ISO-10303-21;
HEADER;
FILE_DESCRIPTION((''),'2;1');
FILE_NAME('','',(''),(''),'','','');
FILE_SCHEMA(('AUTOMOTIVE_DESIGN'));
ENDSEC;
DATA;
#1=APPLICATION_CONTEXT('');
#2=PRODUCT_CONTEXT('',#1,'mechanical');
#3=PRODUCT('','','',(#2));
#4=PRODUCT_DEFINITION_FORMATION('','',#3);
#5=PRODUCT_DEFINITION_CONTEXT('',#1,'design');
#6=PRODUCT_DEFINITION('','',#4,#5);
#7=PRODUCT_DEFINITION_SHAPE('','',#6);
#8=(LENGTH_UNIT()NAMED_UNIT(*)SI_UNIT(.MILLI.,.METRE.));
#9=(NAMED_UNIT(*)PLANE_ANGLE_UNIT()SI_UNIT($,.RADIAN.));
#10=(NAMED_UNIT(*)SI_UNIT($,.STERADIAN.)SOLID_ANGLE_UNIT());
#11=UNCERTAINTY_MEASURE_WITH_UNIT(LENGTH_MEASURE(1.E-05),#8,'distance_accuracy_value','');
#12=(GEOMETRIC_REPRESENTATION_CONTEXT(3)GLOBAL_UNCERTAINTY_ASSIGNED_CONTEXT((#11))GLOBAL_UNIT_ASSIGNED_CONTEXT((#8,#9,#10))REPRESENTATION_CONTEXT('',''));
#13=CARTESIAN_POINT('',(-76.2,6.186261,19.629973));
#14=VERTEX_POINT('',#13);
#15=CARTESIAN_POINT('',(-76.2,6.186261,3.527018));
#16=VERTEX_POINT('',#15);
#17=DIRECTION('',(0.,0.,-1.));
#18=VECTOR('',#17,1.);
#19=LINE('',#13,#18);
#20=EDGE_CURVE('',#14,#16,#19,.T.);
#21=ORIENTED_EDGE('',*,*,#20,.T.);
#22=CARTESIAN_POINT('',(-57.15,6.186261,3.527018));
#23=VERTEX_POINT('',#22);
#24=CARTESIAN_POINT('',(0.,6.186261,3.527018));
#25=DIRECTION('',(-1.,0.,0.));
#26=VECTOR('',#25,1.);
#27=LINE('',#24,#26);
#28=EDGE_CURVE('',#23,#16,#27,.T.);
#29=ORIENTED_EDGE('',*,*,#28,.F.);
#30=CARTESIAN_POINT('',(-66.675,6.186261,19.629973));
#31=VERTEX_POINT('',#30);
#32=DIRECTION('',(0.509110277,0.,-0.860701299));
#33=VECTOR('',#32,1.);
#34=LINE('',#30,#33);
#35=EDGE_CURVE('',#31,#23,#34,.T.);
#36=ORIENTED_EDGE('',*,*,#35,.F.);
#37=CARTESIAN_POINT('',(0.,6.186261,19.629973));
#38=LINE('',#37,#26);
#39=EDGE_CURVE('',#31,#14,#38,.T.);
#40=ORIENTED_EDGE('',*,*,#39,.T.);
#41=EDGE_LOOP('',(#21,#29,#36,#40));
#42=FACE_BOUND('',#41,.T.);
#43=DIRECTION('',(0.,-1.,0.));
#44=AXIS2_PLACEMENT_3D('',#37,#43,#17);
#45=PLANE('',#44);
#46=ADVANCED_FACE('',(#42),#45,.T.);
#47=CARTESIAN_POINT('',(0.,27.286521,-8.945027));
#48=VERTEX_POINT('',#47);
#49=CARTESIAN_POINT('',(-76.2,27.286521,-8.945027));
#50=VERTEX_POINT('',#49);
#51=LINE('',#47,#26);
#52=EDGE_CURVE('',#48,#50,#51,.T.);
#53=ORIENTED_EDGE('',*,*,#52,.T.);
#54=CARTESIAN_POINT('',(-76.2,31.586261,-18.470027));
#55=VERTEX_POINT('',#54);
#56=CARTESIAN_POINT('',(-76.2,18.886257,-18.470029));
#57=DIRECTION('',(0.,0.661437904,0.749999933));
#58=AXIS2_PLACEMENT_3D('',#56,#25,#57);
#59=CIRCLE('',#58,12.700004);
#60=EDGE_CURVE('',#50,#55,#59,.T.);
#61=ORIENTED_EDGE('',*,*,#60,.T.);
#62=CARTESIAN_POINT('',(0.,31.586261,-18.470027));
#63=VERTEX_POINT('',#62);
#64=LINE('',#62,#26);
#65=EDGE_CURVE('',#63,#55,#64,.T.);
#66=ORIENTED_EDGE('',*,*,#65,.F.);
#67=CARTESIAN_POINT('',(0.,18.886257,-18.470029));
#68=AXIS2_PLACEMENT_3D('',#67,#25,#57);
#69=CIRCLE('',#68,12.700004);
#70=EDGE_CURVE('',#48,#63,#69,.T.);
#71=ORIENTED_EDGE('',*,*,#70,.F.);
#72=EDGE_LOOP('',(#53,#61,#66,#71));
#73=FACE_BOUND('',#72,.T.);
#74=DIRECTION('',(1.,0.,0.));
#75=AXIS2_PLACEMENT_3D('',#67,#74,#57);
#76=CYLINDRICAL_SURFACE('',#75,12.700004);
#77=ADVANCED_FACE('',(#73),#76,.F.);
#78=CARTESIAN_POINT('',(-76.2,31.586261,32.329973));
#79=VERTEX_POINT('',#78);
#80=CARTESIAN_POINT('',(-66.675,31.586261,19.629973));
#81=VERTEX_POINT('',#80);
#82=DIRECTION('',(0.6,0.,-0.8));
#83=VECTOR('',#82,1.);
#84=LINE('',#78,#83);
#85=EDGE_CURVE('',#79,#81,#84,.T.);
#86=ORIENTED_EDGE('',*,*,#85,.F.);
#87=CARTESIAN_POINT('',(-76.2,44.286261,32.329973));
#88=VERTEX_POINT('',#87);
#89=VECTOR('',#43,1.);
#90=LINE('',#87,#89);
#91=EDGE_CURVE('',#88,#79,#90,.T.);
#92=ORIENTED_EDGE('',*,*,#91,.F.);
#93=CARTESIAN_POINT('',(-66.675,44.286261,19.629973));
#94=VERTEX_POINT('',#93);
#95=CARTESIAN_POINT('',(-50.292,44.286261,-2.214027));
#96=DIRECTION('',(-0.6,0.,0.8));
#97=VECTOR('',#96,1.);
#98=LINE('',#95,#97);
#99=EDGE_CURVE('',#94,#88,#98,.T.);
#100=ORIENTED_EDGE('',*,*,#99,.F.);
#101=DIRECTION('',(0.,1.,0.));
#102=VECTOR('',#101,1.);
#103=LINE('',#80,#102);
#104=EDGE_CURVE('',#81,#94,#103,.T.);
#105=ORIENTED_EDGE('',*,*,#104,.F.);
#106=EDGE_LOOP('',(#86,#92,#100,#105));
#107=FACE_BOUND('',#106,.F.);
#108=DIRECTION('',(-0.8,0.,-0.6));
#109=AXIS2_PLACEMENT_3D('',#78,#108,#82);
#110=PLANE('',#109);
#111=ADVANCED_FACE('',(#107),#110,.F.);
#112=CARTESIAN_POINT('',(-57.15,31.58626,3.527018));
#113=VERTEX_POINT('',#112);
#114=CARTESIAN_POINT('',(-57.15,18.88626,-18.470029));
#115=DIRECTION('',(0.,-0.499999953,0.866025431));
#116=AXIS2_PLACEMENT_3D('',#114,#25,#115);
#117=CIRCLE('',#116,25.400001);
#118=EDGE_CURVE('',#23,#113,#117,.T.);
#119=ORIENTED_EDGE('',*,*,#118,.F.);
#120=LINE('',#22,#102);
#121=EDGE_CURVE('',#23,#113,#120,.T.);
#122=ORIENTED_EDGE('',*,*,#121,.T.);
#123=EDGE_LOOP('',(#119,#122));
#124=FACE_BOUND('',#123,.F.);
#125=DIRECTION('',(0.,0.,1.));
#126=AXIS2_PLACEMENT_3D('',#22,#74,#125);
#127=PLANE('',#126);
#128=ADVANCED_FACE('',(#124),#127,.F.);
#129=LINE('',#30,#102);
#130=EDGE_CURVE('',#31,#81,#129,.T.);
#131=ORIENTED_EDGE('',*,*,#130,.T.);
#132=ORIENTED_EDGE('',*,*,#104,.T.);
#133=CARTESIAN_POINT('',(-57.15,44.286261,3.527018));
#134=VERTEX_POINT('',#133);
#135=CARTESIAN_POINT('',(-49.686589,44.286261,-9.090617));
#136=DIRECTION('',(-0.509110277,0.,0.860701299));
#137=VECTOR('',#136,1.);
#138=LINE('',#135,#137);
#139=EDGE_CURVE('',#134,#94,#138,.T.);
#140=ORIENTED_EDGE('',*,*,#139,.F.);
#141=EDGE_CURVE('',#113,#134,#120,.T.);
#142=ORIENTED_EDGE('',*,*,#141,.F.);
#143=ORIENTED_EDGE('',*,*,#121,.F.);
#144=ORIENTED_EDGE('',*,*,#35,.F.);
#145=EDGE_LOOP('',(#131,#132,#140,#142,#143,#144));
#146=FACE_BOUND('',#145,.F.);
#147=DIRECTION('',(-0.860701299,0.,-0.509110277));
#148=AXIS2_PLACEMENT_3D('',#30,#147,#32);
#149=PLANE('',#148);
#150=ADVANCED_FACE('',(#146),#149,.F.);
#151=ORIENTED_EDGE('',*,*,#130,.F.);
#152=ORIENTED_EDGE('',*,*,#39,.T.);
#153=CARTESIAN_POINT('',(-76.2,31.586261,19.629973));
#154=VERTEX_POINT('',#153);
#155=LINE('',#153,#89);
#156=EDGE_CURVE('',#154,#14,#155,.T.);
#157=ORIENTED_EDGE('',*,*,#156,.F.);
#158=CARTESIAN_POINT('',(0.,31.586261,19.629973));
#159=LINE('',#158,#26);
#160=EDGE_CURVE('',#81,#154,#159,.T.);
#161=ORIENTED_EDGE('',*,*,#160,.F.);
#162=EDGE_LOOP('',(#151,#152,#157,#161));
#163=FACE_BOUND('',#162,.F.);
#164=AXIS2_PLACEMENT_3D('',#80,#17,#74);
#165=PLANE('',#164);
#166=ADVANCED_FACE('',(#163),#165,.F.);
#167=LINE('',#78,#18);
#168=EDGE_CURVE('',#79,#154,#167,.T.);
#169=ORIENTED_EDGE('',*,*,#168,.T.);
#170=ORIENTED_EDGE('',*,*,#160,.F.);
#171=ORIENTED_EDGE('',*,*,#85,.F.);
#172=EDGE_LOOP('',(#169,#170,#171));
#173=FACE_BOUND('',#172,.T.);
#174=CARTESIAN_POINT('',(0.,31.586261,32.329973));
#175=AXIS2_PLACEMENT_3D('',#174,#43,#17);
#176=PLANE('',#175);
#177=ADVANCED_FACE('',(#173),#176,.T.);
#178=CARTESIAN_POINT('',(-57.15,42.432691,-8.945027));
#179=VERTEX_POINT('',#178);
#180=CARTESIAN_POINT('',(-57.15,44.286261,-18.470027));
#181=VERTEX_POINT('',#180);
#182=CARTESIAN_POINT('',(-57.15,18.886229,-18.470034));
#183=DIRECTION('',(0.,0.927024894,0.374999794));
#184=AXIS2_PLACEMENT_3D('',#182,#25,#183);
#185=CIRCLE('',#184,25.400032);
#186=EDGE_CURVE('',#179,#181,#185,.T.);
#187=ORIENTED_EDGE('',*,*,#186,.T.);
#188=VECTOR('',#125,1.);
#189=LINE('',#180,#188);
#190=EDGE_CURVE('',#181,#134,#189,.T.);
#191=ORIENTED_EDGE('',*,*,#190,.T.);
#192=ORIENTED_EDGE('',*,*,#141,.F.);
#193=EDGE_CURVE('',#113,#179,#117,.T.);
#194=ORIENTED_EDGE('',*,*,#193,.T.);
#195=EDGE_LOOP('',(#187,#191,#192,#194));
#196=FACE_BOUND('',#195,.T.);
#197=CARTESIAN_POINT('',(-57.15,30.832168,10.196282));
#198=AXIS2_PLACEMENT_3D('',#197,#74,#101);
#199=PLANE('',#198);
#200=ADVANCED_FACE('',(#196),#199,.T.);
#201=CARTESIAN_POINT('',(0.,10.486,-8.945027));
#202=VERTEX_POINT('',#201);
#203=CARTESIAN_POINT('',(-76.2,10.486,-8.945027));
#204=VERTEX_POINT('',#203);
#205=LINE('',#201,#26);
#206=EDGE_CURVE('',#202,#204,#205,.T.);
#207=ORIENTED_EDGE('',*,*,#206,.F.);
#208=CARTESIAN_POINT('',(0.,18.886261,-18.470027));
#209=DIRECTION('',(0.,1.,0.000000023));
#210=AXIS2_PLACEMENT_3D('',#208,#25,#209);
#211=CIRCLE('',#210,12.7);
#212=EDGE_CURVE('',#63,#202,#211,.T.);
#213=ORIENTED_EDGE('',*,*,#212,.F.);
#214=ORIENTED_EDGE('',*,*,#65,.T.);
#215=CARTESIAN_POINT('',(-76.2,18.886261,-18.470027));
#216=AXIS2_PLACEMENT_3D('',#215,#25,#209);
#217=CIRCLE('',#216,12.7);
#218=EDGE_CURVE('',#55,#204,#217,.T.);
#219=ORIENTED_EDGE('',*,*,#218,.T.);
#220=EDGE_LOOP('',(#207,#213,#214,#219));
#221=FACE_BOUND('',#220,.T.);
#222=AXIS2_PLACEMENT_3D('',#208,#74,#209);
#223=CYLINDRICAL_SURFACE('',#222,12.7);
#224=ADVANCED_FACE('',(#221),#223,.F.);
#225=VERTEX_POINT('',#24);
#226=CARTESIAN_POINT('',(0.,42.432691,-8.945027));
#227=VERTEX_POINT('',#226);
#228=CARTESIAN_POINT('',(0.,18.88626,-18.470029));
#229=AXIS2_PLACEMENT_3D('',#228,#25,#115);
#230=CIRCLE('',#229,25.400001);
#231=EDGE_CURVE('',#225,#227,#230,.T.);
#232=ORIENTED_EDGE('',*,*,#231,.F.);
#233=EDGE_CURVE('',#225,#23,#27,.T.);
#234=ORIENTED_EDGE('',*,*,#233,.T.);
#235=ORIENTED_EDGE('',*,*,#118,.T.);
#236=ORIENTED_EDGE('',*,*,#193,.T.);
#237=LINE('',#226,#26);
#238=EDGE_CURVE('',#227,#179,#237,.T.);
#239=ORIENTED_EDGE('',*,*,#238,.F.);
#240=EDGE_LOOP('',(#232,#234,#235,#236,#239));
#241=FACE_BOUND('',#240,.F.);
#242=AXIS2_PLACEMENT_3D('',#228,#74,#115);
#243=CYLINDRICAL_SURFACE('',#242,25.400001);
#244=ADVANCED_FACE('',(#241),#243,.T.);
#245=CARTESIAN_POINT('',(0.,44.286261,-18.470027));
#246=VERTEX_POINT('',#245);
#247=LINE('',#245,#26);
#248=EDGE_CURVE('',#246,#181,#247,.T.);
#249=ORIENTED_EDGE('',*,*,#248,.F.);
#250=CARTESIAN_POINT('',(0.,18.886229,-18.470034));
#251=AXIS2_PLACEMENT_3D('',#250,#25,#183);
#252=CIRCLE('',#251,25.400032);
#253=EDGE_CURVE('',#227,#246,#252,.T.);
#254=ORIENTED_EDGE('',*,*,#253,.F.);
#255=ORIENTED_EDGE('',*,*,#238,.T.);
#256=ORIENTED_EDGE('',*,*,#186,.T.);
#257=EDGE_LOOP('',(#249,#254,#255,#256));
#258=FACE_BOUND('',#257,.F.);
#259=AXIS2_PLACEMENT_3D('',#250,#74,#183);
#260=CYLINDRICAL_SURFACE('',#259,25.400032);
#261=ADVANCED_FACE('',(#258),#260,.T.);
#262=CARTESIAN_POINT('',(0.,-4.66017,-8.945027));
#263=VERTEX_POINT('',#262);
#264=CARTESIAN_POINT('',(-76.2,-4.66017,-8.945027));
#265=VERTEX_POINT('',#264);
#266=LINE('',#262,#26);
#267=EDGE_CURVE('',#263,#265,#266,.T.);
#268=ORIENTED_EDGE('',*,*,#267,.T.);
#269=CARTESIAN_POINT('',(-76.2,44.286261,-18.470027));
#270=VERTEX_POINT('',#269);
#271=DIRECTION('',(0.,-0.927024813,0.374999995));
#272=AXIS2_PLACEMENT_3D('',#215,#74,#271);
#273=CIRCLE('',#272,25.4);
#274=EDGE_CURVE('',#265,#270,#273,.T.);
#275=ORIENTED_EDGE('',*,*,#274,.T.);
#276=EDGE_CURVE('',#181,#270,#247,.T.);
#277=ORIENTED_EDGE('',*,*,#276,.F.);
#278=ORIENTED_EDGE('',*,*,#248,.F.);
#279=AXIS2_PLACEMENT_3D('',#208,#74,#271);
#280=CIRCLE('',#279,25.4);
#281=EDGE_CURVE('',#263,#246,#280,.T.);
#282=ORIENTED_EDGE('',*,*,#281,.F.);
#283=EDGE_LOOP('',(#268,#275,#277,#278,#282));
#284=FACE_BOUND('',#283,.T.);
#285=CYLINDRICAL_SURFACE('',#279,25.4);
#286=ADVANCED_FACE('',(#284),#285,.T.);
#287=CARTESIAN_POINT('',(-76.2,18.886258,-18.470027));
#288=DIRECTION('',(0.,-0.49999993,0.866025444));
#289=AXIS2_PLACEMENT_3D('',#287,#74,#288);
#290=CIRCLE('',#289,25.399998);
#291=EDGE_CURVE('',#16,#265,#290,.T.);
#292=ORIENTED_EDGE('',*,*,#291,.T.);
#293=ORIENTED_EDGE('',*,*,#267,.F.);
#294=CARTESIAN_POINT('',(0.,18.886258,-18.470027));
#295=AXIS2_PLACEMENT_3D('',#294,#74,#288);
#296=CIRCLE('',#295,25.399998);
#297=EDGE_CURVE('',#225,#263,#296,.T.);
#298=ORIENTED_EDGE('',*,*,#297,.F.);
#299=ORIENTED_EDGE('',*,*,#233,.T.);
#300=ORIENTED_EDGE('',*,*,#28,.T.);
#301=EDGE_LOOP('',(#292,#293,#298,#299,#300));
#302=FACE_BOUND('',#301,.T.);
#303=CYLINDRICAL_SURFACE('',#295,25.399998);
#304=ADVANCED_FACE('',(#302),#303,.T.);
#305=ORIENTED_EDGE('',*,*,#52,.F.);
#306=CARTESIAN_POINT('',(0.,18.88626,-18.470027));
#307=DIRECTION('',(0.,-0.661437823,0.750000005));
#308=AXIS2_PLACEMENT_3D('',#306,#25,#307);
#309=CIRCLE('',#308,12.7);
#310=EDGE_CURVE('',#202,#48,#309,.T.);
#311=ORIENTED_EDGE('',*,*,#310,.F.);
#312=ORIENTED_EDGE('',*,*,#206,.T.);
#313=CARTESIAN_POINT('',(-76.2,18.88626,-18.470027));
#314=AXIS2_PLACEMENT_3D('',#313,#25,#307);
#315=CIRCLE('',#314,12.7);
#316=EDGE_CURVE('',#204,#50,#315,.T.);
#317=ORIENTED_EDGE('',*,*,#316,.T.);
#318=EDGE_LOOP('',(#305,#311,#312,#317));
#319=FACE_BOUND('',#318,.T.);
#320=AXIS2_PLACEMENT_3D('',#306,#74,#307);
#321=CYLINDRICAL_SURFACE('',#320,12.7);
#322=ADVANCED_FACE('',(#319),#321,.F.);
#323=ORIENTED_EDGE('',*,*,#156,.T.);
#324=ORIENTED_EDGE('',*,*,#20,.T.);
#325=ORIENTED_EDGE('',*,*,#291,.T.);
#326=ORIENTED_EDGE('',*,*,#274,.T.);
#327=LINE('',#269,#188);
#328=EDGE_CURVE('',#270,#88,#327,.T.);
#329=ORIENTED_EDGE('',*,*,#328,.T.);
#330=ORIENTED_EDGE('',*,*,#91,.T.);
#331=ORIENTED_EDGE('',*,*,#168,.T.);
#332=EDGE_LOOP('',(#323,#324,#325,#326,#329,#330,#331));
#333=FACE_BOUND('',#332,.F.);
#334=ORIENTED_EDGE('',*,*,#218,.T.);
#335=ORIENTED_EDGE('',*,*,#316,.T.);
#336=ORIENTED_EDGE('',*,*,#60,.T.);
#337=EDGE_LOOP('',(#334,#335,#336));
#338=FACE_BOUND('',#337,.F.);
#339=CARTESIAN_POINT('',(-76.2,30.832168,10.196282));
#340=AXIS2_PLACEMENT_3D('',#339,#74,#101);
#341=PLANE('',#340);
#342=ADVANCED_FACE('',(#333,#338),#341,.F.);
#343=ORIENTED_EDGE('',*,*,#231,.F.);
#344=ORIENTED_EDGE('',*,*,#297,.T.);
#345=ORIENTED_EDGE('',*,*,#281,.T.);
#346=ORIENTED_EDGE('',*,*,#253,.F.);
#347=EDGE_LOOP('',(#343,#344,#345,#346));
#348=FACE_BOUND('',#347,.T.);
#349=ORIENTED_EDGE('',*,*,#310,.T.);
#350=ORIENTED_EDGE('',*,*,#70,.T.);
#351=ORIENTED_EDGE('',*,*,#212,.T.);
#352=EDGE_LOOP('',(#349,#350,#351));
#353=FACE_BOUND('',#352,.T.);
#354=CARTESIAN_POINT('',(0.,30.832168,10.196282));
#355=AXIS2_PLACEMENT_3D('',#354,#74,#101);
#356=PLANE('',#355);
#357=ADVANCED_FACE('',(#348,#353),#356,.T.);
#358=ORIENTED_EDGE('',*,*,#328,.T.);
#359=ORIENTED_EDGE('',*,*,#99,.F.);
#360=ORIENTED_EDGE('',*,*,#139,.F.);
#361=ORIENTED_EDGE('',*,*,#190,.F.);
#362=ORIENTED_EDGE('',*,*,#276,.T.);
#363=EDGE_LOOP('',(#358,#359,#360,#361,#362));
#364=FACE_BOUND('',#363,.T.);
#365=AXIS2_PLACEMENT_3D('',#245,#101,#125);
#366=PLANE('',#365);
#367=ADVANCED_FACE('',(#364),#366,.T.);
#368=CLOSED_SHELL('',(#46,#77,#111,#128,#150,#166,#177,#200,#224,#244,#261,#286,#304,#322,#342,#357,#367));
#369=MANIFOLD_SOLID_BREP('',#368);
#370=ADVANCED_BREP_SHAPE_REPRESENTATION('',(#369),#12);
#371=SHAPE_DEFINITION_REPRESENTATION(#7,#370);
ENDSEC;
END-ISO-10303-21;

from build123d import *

# Parameters (mm, degrees)
F1_DEPTH = 76.2
F2_DEPTH = 76.2
F3_DEPTH = 57.15
F5_DEPTH = 25.4
F7_DEPTH = 76.2


with BuildPart() as f1:
    # F0 (on Right) → F1 (new body)
    with BuildSketch(Plane.YZ):
        with BuildLine():
            Line((27.286521, -8.945027), (42.432691, -8.945027))
            ThreePointArc((42.432691, -8.945027), (27.150596, 5.547898), (6.186261, 3.527018))
            ThreePointArc((6.186261, 3.527018), (-0.279827, -1.802061), (-4.66017, -8.945027))
            Line((-4.66017, -8.945027), (10.486, -8.945027))
            ThreePointArc((10.486, -8.945027), (18.886261, -5.770027), (27.286521, -8.945027))
        make_face()
        with BuildLine():
            ThreePointArc((-4.66017, -8.945027), (14.034422, -43.402329), (44.286261, -18.470027))
            ThreePointArc((44.286261, -18.470027), (43.818562, -13.618189), (42.432691, -8.945027))
            Line((42.432691, -8.945027), (27.286521, -8.945027))
            ThreePointArc((27.286521, -8.945027), (30.461521, -13.244767), (31.586261, -18.470027))
            ThreePointArc((31.586261, -18.470027), (13.661, -30.045288), (10.486, -8.945027))
            Line((10.486, -8.945027), (-4.66017, -8.945027))
        make_face()
    extrude(amount=-F1_DEPTH)

    # F0 (on Right) → F2 (join)
    with BuildSketch(Plane.YZ):
        with BuildLine():
            ThreePointArc((42.432691, -8.945027), (43.818562, -13.618189), (44.286261, -18.470027))
            Line((44.286261, -18.470027), (44.286261, 32.329973))
            Line((44.286261, 32.329973), (31.586261, 32.329973))
            Line((31.586261, 32.329973), (31.586261, 19.629973))
            Line((31.586261, 19.629973), (6.186261, 19.629973))
            Line((6.186261, 19.629973), (6.186261, 3.527018))
            ThreePointArc((6.186261, 3.527018), (27.150596, 5.547898), (42.432691, -8.945027))
        make_face()
    extrude(amount=-F2_DEPTH)

    # F0 (on Right) → F3 (cut)
    with BuildSketch(Plane.YZ):
        with BuildLine():
            ThreePointArc((42.432691, -8.945027), (43.818562, -13.618189), (44.286261, -18.470027))
            Line((44.286261, -18.470027), (44.286261, 32.329973))
            Line((44.286261, 32.329973), (31.586261, 32.329973))
            Line((31.586261, 32.329973), (31.586261, 19.629973))
            Line((31.586261, 19.629973), (6.186261, 19.629973))
            Line((6.186261, 19.629973), (6.186261, 3.527018))
            ThreePointArc((6.186261, 3.527018), (27.150596, 5.547898), (42.432691, -8.945027))
        make_face()
    extrude(amount=-F3_DEPTH, mode=Mode.SUBTRACT)

    # F4 (on face) → F5 (cut)
    with BuildSketch(Plane.XZ.offset(-31.586261)):
        Polygon((-76.2, 32.329973), (-66.675, 19.629973), (-57.15, 19.629973), (-57.15, 32.329973), align=None)
    extrude(amount=-F5_DEPTH, mode=Mode.SUBTRACT)

    # F6 (on face) → F7 (cut)
    with BuildSketch(Plane.XZ.offset(-6.186261)):
        Polygon((-57.15, 19.629973), (-66.675, 19.629973), (-57.15, 3.527018), align=None)
    extrude(amount=-F7_DEPTH, mode=Mode.SUBTRACT)


solid = f1.part
